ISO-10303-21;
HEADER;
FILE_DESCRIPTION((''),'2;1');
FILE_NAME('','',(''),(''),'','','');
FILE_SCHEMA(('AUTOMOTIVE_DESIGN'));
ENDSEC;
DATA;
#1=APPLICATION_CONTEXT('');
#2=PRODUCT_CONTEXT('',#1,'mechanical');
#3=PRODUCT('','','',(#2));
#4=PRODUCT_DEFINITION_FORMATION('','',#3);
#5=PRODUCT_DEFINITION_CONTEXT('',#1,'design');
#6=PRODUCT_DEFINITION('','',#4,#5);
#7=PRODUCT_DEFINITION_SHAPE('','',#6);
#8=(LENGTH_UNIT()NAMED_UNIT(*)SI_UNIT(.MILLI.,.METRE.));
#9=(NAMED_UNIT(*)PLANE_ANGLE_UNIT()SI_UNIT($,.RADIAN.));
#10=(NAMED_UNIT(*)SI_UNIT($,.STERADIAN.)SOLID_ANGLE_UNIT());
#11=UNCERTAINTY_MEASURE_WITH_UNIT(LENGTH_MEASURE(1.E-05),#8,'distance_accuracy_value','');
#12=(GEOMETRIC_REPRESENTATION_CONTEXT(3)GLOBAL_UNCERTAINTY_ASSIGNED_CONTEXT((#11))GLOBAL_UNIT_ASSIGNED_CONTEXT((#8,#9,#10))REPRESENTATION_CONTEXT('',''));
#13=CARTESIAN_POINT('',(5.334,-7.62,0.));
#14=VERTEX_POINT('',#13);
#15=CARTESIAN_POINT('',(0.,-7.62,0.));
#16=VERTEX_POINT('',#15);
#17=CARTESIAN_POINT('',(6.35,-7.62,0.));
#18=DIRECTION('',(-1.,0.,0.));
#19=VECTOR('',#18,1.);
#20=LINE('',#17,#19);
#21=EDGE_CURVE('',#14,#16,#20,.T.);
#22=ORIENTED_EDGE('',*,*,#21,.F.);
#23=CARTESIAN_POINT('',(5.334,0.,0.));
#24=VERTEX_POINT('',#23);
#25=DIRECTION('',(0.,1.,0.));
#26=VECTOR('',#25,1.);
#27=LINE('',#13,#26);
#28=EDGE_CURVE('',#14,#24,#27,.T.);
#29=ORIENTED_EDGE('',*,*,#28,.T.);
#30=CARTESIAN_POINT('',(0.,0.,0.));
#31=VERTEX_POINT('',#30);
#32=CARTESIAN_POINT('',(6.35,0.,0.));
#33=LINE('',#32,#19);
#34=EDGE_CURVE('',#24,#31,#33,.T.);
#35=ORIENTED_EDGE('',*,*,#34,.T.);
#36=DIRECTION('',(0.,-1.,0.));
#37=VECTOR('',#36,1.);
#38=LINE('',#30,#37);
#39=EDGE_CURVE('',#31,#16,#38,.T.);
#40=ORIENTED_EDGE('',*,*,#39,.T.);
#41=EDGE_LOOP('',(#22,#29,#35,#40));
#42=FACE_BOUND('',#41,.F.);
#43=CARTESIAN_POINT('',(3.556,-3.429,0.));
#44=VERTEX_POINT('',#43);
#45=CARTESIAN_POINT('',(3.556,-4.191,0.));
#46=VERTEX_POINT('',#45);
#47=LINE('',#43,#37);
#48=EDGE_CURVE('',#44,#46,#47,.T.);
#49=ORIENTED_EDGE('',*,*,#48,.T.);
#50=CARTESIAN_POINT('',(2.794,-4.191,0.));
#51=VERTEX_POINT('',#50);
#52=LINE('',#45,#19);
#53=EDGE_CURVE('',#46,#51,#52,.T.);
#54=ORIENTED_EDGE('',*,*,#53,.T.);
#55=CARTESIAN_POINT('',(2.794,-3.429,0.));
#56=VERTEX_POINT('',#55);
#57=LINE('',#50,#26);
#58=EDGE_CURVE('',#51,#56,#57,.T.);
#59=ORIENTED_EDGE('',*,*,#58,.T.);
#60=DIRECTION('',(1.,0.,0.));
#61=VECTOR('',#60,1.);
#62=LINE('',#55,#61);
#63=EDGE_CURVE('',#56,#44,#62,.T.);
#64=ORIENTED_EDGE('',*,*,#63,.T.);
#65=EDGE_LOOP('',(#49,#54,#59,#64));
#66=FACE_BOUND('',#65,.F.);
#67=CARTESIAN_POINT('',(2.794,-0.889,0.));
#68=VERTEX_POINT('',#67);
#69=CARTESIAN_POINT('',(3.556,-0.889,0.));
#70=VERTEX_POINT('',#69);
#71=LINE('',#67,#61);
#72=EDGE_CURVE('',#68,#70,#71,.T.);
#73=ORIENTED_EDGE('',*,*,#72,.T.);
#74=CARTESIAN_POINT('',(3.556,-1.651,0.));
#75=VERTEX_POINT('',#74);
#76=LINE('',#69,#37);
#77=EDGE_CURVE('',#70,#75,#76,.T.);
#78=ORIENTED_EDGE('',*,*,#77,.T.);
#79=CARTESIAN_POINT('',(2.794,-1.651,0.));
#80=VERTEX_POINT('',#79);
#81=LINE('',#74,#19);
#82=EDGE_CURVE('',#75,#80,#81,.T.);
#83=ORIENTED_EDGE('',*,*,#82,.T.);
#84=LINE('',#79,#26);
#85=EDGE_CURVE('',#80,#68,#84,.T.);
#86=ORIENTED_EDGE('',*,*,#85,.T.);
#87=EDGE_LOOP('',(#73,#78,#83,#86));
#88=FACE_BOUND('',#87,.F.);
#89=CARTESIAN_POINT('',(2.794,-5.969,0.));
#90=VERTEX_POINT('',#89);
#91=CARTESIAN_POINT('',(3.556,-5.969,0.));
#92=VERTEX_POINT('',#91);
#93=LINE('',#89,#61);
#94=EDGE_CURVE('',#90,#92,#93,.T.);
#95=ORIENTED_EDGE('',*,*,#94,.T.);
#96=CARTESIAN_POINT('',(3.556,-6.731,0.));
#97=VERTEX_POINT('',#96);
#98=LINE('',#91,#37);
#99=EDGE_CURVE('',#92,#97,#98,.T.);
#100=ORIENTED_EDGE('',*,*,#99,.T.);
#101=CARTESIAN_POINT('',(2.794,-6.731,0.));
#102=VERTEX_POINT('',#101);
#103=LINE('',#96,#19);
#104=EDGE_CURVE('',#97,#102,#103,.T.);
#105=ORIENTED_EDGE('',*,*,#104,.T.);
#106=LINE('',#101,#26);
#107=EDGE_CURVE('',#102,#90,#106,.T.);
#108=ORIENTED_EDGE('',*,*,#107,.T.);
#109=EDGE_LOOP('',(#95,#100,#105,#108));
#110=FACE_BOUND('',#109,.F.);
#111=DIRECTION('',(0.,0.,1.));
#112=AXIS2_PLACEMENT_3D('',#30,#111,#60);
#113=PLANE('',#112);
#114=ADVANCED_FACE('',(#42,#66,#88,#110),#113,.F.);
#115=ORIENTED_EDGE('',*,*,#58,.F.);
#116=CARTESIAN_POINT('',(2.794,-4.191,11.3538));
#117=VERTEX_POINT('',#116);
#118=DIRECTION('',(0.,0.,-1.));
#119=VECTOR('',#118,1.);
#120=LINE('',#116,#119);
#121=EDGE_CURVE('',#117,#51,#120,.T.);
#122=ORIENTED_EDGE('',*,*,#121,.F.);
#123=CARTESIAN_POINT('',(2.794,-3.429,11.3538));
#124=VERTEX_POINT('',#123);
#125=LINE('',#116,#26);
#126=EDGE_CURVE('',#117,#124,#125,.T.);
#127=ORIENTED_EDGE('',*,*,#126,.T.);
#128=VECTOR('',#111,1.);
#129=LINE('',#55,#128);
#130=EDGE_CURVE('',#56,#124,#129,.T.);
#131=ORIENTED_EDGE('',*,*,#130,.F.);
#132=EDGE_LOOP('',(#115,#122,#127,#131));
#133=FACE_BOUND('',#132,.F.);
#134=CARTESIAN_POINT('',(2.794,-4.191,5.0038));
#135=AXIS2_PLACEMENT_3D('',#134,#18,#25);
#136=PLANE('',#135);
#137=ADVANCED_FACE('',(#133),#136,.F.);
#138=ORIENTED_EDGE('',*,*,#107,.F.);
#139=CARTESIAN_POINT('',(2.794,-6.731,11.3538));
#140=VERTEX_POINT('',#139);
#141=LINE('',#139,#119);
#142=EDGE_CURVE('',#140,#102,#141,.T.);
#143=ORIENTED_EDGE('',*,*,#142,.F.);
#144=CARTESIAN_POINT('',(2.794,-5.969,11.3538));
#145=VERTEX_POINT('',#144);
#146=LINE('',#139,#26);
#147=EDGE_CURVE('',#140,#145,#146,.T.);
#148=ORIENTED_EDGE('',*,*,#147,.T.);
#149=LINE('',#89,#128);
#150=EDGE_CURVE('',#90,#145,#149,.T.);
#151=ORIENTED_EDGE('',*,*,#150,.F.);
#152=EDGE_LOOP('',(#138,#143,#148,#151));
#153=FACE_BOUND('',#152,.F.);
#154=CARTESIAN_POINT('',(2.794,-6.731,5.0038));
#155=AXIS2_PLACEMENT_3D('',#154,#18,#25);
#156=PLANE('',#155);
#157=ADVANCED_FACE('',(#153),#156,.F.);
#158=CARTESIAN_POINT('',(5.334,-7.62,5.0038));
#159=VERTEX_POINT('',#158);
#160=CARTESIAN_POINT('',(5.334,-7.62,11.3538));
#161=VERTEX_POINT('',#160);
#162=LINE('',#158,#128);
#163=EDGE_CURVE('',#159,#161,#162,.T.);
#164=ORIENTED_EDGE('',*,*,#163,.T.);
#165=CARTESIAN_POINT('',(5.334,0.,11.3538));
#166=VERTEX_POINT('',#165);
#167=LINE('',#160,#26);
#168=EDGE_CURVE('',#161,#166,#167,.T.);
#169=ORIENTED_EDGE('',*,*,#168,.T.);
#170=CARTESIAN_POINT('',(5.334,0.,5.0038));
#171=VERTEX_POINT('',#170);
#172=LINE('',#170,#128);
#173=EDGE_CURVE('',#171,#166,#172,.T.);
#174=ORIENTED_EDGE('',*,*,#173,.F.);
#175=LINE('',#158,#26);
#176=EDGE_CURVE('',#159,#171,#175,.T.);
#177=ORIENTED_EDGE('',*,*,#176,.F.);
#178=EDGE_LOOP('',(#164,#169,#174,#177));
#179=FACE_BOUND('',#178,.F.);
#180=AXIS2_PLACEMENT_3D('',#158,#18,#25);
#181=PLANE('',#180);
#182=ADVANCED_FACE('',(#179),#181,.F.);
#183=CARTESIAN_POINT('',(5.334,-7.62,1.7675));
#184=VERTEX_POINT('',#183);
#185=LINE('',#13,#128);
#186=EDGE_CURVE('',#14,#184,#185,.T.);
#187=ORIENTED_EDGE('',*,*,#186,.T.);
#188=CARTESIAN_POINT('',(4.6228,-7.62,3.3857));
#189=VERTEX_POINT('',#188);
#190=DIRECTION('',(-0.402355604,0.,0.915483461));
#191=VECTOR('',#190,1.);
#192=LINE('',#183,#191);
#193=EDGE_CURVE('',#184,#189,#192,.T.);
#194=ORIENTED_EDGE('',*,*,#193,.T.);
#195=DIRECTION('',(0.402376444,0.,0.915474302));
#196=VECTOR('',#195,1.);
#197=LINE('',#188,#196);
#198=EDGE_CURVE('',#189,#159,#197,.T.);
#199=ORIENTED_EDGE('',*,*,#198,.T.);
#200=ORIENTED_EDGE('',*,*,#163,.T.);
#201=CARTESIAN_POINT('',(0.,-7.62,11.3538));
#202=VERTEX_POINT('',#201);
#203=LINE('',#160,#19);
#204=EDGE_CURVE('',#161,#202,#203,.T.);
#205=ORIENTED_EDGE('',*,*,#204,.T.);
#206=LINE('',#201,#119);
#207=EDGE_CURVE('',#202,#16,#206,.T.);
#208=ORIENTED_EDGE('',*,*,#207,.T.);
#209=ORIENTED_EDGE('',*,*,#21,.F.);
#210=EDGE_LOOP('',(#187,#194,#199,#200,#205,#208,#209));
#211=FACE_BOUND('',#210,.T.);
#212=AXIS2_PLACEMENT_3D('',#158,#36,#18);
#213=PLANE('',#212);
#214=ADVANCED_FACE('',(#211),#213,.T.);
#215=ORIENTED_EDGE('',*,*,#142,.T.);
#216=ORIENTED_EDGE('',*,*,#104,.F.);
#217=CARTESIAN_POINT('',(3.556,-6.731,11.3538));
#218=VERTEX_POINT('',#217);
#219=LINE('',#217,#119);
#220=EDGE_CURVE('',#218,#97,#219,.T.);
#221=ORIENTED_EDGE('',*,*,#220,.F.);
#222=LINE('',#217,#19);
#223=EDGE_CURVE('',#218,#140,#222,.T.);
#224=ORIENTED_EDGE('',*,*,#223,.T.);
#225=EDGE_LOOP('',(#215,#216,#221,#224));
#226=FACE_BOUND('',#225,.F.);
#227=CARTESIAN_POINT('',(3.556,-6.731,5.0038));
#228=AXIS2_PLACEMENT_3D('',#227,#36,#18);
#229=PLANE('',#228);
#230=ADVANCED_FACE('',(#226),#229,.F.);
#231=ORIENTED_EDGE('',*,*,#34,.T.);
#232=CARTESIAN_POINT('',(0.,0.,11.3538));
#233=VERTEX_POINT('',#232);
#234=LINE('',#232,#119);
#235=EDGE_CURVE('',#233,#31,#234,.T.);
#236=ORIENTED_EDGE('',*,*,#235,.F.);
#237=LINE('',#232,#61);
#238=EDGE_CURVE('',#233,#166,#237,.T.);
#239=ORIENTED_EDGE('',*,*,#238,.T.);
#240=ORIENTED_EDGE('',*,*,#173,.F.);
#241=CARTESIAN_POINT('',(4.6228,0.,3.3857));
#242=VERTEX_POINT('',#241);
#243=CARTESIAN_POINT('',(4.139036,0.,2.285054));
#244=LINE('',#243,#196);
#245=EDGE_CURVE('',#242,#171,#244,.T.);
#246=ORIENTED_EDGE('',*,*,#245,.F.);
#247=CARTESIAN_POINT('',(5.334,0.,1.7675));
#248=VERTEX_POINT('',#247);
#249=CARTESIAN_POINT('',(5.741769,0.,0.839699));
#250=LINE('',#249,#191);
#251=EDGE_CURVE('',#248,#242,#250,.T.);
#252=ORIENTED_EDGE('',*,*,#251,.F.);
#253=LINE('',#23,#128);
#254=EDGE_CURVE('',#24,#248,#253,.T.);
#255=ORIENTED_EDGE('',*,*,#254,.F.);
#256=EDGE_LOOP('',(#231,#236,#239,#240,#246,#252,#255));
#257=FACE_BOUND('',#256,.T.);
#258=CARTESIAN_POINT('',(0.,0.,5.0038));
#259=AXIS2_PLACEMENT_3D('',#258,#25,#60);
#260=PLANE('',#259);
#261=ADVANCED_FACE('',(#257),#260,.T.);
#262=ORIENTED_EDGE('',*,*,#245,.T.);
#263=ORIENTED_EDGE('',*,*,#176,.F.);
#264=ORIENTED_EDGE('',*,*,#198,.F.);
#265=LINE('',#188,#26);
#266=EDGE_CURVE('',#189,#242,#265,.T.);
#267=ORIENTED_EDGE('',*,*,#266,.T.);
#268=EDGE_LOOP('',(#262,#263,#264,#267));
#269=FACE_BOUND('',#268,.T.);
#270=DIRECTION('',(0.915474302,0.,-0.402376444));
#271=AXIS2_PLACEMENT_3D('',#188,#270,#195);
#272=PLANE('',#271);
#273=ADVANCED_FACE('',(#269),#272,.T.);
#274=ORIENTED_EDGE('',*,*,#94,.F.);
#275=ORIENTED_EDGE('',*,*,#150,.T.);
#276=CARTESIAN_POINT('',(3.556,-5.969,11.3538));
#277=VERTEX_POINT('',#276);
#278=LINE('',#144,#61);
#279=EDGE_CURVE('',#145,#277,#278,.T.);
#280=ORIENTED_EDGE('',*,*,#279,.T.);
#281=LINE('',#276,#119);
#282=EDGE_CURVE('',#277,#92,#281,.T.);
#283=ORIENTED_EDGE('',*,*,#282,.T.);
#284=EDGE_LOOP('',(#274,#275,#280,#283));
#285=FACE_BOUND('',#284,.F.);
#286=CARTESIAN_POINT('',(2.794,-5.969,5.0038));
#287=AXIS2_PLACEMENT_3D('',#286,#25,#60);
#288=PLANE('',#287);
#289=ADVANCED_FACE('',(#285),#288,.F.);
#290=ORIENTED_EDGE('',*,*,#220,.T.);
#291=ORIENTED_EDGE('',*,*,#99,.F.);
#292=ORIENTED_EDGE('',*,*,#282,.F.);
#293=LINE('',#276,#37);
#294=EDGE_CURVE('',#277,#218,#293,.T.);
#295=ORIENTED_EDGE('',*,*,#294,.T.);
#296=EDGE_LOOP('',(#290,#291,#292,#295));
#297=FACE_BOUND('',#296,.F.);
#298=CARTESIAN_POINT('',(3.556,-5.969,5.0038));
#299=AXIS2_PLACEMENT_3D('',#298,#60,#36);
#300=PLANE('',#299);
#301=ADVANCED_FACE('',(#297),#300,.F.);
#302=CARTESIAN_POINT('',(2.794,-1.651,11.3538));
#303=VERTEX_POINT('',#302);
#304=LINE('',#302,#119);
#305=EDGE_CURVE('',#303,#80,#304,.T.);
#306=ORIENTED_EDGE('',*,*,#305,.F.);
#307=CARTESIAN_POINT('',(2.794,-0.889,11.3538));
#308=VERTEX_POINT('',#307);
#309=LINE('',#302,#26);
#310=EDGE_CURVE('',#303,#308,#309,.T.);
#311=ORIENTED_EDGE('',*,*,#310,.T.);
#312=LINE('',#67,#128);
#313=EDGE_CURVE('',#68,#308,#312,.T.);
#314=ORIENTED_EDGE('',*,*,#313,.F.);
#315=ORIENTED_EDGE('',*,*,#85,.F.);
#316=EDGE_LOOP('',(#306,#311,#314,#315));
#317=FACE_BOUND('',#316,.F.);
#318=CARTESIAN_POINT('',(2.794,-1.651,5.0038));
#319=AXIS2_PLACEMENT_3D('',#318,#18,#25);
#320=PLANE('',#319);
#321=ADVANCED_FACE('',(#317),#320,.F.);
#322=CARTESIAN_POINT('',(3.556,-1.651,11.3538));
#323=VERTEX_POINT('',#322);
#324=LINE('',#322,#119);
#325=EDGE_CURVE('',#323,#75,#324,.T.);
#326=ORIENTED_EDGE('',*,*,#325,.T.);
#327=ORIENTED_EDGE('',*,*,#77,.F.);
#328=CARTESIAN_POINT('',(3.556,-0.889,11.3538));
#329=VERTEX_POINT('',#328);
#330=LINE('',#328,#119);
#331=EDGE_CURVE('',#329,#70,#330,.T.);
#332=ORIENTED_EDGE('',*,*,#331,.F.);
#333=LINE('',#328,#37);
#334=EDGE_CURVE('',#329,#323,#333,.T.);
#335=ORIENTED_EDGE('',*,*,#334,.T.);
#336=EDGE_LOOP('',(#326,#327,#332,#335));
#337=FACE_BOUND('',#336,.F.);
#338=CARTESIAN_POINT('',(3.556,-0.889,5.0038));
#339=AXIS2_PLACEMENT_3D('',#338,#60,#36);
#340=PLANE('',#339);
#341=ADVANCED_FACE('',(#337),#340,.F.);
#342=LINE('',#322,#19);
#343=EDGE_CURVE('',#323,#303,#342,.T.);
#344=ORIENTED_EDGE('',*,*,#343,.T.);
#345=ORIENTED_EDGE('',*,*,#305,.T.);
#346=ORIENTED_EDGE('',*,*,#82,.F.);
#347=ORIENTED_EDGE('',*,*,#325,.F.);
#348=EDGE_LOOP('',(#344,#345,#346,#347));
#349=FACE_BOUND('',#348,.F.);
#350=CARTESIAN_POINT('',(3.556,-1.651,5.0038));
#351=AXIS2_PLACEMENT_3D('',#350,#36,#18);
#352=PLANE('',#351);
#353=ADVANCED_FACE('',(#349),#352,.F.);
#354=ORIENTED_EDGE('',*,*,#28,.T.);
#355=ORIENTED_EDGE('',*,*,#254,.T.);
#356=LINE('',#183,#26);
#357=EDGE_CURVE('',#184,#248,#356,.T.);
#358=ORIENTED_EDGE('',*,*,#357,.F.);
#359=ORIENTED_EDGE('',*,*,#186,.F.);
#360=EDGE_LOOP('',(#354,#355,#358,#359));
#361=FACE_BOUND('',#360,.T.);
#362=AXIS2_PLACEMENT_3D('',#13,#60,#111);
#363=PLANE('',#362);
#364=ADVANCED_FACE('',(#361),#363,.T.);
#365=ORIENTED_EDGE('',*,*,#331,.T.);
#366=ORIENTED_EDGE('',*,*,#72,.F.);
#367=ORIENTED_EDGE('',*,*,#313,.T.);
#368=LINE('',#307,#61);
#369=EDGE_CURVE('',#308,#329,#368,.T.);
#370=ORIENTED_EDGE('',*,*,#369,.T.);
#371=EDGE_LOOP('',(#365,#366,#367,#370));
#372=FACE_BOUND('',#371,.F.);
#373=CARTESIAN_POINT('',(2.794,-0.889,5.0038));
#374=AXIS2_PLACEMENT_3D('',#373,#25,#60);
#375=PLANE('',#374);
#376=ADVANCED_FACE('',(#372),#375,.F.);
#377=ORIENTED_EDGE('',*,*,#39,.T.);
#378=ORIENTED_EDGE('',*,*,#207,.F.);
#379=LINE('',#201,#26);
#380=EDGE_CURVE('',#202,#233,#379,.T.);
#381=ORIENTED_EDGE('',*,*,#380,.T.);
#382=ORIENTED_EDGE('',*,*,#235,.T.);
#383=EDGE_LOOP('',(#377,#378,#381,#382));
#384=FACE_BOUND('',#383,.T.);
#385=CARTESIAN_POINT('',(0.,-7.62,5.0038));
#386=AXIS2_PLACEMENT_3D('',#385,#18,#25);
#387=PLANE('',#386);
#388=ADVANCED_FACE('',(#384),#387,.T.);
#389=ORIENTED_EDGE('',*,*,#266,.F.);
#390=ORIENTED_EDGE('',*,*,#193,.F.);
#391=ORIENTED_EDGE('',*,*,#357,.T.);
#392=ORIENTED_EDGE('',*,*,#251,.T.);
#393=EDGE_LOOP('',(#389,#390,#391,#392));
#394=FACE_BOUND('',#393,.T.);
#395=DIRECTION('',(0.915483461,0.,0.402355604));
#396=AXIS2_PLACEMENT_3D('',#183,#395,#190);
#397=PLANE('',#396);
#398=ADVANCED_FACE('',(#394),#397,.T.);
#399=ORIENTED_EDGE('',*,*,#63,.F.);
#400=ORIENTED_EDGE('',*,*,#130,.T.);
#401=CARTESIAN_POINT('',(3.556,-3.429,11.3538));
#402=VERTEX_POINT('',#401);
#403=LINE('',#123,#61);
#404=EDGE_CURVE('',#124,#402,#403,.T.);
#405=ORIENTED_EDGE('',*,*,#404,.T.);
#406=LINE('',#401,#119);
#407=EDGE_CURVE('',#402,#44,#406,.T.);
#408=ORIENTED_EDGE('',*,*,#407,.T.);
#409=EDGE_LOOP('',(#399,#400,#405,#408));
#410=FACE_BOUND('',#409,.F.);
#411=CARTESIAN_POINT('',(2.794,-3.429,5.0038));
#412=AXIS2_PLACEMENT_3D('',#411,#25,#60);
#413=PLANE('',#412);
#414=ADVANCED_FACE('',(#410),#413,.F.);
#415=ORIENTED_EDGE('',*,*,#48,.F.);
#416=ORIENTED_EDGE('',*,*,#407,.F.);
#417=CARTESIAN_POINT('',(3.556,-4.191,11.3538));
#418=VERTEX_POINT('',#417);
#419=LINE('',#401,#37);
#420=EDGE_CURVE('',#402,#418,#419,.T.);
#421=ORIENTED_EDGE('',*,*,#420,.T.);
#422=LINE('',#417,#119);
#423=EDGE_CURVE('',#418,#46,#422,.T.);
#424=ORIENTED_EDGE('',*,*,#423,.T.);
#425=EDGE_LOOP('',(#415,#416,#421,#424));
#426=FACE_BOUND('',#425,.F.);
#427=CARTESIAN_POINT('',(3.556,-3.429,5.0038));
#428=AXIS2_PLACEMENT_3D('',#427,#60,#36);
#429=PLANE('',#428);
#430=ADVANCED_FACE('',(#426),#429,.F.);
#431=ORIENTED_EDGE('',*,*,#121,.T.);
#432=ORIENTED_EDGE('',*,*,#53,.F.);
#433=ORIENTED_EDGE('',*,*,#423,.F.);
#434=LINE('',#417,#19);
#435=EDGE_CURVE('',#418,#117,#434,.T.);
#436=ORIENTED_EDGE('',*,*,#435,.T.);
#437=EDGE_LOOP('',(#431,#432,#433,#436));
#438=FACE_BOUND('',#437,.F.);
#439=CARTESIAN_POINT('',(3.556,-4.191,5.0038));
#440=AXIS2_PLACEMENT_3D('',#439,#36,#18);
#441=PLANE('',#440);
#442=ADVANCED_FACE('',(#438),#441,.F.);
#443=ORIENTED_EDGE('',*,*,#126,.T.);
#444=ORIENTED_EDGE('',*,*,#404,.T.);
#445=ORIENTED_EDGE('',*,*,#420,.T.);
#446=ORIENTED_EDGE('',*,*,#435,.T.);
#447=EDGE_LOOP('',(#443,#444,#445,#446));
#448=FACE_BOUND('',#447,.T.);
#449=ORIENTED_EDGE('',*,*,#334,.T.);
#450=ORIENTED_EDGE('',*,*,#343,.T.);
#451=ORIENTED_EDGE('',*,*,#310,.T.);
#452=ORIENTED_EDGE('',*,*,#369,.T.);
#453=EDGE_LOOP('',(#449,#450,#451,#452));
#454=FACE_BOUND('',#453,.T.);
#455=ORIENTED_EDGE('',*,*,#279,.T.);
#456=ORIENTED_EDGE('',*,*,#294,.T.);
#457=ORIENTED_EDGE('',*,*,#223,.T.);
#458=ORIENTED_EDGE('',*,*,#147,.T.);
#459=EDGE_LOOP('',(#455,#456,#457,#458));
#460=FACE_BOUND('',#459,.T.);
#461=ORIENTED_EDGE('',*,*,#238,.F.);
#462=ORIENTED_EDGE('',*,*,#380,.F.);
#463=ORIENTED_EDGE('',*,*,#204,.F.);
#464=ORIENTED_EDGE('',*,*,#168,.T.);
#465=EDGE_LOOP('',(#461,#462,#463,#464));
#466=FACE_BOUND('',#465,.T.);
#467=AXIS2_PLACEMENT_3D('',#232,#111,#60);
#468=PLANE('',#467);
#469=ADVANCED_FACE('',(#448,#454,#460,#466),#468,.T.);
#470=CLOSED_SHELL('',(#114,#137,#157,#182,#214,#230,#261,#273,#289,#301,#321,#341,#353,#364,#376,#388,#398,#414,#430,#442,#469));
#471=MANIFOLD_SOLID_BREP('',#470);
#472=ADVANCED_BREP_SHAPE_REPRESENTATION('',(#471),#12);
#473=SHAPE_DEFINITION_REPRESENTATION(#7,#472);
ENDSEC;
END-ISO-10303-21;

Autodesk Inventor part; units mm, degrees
ref_plane "YZ Plane" through (0, 0, 0) normal (1, 0, 0) x (0, 1, 0)
ref_plane "XZ Plane" through (0, 0, 0) normal (0, 1, 0) x (-1, 0, 0)
ref_plane "XY Plane" through (0, 0, 0) normal (0, 0, 1) x (1, 0, 0)
sketch "Sketch1" plane through (0, 0, 0) normal (0, 0, 1) x (1, 0, 0)
  line L0 (2.794, -4.191) -> (2.794, -3.429)
  line L1 (2.794, -3.429) -> (3.556, -3.429)
  line L2 (3.556, -3.429) -> (3.556, -4.191)
  line L3 (3.556, -4.191) -> (2.794, -4.191)
  line L4 (2.794, -6.731) -> (2.794, -5.969)
  line L5 (2.794, -5.969) -> (3.556, -5.969)
  line L6 (3.556, -5.969) -> (3.556, -6.731)
  line L7 (3.556, -6.731) -> (2.794, -6.731)
  line L8 (2.794, -1.651) -> (2.794, -0.889)
  line L9 (2.794, -0.889) -> (3.556, -0.889)
  line L10 (3.556, -0.889) -> (3.556, -1.651)
  line L11 (3.556, -1.651) -> (2.794, -1.651)
  line L12 (5.334, 0) -> (5.334, -7.62)
  line L13 (5.334, 0) -> (0, 0)
  line L14 (0, 0) -> (0, -7.62)
  line L15 (0, -7.62) -> (5.334, -7.62)
  line L16 (5.334, -7.62) -> (6.35, -7.62)
  line L17 (6.35, 0) -> (6.35, -7.62)
  line L18 (6.35, 0) -> (5.334, 0)
  line L19 (-0.611, -8.231) -> (-0.611, 0.611)
  line L20 (-0.611, 0.611) -> (5.334, 0.611)
  line L21 (5.334, 0.611) -> (6.961, 0.611)
  line L22 (6.961, 0.611) -> (6.961, -8.231)
  line L23 (6.961, -8.231) -> (5.334, -8.231)
  line L24 (5.334, -8.231) -> (-0.611, -8.231)
  point P0 (-0.635, 26.67)
  dimension "d2" = 0.611
extrude "Extrusion1" add sketch "Sketch1" along normal blind 5.0038 contours L18 L17 L16 L12 | L12 L15 L14 L13
sketch "Sketch2" plane through (0, -7.62, 0) normal (0, -1, 0) x (1, 0, 0)
  point P0 (-0.635, -6.0808)
sketch "Sketch3" plane through (0, -7.62, 0) normal (0, -1, 0) x (1, 0, 0)
  line L0 (6.35, 5.0038) -> (6.35, 0)
  line L1 (5.334, 5.0038) -> (6.35, 5.0038)
  line L2 (4.6228, 3.3857) -> (5.334, 5.0038)
  line L3 (5.334, 1.7675) -> (4.6228, 3.3857)
  line L4 (5.334, 0) -> (5.334, 1.7675)
  line L5 (0, 0) -> (5.334, 0)
  line L6 (5.334, 0) -> (6.35, 0)
  point P0 (-0.635, -6.0808)
extrude "Extrusion2" cut sketch "Sketch3" against normal blind 25.4
ref_plane "Work Plane5" through (0, 0, 8.1788) normal (0, 0, 1) x (1, 0, 0)
ref_plane "Work Plane7" through (0, 0, 11.3538) normal (0, 0, 1) x (1, 0, 0)
ref_plane "Work Plane9" through (0, 0, 8.1788) normal (0, 0, 1) x (1, 0, 0)
ref_plane "Work Plane10" through (0, 0, 11.3538) normal (0, 0, 1) x (1, 0, 0)
ref_plane "Work Plane11" through (0, 0, 8.1788) normal (0, 0, 1) x (1, 0, 0)
ref_plane "Work Plane12" through (0, 0, 11.3538) normal (0, 0, 1) x (1, 0, 0)
sketch "Sketch4" plane through (0, 0, 5.0038) normal (0, 0, 1) x (1, 0, 0)
  line L0 (5.334, -7.62) -> (5.334, 0) projected
  line L1 (0, 0) -> (5.334, 0) projected
  line L2 (0, -7.62) -> (0, 0) projected
  line L3 (5.334, -7.62) -> (0, -7.62) projected
  line L4 (2.794, -3.429) -> (3.556, -3.429) projected
  line L5 (3.556, -3.429) -> (3.556, -4.191) projected
  line L6 (3.556, -4.191) -> (2.794, -4.191) projected
  line L7 (2.794, -4.191) -> (2.794, -3.429) projected
  line L8 (2.794, -5.969) -> (3.556, -5.969) projected
  line L9 (3.556, -5.969) -> (3.556, -6.731) projected
  line L10 (3.556, -6.731) -> (2.794, -6.731) projected
  line L11 (2.794, -6.731) -> (2.794, -5.969) projected
  line L12 (2.794, -0.889) -> (3.556, -0.889) projected
  line L13 (3.556, -0.889) -> (3.556, -1.651) projected
  line L14 (3.556, -1.651) -> (2.794, -1.651) projected
  line L15 (2.794, -1.651) -> (2.794, -0.889) projected
extrude "Extrusion3" add sketch "Sketch4" along normal blind 6.35
ref_plane "Work Plane6" through (0, 0, 8.1788) normal (0, 0, 1) x (1, 0, 0)
ref_plane "Work Plane8" through (0, 0, 11.3538) normal (0, 0, 1) x (1, 0, 0)
properties part number "pwm connector"
